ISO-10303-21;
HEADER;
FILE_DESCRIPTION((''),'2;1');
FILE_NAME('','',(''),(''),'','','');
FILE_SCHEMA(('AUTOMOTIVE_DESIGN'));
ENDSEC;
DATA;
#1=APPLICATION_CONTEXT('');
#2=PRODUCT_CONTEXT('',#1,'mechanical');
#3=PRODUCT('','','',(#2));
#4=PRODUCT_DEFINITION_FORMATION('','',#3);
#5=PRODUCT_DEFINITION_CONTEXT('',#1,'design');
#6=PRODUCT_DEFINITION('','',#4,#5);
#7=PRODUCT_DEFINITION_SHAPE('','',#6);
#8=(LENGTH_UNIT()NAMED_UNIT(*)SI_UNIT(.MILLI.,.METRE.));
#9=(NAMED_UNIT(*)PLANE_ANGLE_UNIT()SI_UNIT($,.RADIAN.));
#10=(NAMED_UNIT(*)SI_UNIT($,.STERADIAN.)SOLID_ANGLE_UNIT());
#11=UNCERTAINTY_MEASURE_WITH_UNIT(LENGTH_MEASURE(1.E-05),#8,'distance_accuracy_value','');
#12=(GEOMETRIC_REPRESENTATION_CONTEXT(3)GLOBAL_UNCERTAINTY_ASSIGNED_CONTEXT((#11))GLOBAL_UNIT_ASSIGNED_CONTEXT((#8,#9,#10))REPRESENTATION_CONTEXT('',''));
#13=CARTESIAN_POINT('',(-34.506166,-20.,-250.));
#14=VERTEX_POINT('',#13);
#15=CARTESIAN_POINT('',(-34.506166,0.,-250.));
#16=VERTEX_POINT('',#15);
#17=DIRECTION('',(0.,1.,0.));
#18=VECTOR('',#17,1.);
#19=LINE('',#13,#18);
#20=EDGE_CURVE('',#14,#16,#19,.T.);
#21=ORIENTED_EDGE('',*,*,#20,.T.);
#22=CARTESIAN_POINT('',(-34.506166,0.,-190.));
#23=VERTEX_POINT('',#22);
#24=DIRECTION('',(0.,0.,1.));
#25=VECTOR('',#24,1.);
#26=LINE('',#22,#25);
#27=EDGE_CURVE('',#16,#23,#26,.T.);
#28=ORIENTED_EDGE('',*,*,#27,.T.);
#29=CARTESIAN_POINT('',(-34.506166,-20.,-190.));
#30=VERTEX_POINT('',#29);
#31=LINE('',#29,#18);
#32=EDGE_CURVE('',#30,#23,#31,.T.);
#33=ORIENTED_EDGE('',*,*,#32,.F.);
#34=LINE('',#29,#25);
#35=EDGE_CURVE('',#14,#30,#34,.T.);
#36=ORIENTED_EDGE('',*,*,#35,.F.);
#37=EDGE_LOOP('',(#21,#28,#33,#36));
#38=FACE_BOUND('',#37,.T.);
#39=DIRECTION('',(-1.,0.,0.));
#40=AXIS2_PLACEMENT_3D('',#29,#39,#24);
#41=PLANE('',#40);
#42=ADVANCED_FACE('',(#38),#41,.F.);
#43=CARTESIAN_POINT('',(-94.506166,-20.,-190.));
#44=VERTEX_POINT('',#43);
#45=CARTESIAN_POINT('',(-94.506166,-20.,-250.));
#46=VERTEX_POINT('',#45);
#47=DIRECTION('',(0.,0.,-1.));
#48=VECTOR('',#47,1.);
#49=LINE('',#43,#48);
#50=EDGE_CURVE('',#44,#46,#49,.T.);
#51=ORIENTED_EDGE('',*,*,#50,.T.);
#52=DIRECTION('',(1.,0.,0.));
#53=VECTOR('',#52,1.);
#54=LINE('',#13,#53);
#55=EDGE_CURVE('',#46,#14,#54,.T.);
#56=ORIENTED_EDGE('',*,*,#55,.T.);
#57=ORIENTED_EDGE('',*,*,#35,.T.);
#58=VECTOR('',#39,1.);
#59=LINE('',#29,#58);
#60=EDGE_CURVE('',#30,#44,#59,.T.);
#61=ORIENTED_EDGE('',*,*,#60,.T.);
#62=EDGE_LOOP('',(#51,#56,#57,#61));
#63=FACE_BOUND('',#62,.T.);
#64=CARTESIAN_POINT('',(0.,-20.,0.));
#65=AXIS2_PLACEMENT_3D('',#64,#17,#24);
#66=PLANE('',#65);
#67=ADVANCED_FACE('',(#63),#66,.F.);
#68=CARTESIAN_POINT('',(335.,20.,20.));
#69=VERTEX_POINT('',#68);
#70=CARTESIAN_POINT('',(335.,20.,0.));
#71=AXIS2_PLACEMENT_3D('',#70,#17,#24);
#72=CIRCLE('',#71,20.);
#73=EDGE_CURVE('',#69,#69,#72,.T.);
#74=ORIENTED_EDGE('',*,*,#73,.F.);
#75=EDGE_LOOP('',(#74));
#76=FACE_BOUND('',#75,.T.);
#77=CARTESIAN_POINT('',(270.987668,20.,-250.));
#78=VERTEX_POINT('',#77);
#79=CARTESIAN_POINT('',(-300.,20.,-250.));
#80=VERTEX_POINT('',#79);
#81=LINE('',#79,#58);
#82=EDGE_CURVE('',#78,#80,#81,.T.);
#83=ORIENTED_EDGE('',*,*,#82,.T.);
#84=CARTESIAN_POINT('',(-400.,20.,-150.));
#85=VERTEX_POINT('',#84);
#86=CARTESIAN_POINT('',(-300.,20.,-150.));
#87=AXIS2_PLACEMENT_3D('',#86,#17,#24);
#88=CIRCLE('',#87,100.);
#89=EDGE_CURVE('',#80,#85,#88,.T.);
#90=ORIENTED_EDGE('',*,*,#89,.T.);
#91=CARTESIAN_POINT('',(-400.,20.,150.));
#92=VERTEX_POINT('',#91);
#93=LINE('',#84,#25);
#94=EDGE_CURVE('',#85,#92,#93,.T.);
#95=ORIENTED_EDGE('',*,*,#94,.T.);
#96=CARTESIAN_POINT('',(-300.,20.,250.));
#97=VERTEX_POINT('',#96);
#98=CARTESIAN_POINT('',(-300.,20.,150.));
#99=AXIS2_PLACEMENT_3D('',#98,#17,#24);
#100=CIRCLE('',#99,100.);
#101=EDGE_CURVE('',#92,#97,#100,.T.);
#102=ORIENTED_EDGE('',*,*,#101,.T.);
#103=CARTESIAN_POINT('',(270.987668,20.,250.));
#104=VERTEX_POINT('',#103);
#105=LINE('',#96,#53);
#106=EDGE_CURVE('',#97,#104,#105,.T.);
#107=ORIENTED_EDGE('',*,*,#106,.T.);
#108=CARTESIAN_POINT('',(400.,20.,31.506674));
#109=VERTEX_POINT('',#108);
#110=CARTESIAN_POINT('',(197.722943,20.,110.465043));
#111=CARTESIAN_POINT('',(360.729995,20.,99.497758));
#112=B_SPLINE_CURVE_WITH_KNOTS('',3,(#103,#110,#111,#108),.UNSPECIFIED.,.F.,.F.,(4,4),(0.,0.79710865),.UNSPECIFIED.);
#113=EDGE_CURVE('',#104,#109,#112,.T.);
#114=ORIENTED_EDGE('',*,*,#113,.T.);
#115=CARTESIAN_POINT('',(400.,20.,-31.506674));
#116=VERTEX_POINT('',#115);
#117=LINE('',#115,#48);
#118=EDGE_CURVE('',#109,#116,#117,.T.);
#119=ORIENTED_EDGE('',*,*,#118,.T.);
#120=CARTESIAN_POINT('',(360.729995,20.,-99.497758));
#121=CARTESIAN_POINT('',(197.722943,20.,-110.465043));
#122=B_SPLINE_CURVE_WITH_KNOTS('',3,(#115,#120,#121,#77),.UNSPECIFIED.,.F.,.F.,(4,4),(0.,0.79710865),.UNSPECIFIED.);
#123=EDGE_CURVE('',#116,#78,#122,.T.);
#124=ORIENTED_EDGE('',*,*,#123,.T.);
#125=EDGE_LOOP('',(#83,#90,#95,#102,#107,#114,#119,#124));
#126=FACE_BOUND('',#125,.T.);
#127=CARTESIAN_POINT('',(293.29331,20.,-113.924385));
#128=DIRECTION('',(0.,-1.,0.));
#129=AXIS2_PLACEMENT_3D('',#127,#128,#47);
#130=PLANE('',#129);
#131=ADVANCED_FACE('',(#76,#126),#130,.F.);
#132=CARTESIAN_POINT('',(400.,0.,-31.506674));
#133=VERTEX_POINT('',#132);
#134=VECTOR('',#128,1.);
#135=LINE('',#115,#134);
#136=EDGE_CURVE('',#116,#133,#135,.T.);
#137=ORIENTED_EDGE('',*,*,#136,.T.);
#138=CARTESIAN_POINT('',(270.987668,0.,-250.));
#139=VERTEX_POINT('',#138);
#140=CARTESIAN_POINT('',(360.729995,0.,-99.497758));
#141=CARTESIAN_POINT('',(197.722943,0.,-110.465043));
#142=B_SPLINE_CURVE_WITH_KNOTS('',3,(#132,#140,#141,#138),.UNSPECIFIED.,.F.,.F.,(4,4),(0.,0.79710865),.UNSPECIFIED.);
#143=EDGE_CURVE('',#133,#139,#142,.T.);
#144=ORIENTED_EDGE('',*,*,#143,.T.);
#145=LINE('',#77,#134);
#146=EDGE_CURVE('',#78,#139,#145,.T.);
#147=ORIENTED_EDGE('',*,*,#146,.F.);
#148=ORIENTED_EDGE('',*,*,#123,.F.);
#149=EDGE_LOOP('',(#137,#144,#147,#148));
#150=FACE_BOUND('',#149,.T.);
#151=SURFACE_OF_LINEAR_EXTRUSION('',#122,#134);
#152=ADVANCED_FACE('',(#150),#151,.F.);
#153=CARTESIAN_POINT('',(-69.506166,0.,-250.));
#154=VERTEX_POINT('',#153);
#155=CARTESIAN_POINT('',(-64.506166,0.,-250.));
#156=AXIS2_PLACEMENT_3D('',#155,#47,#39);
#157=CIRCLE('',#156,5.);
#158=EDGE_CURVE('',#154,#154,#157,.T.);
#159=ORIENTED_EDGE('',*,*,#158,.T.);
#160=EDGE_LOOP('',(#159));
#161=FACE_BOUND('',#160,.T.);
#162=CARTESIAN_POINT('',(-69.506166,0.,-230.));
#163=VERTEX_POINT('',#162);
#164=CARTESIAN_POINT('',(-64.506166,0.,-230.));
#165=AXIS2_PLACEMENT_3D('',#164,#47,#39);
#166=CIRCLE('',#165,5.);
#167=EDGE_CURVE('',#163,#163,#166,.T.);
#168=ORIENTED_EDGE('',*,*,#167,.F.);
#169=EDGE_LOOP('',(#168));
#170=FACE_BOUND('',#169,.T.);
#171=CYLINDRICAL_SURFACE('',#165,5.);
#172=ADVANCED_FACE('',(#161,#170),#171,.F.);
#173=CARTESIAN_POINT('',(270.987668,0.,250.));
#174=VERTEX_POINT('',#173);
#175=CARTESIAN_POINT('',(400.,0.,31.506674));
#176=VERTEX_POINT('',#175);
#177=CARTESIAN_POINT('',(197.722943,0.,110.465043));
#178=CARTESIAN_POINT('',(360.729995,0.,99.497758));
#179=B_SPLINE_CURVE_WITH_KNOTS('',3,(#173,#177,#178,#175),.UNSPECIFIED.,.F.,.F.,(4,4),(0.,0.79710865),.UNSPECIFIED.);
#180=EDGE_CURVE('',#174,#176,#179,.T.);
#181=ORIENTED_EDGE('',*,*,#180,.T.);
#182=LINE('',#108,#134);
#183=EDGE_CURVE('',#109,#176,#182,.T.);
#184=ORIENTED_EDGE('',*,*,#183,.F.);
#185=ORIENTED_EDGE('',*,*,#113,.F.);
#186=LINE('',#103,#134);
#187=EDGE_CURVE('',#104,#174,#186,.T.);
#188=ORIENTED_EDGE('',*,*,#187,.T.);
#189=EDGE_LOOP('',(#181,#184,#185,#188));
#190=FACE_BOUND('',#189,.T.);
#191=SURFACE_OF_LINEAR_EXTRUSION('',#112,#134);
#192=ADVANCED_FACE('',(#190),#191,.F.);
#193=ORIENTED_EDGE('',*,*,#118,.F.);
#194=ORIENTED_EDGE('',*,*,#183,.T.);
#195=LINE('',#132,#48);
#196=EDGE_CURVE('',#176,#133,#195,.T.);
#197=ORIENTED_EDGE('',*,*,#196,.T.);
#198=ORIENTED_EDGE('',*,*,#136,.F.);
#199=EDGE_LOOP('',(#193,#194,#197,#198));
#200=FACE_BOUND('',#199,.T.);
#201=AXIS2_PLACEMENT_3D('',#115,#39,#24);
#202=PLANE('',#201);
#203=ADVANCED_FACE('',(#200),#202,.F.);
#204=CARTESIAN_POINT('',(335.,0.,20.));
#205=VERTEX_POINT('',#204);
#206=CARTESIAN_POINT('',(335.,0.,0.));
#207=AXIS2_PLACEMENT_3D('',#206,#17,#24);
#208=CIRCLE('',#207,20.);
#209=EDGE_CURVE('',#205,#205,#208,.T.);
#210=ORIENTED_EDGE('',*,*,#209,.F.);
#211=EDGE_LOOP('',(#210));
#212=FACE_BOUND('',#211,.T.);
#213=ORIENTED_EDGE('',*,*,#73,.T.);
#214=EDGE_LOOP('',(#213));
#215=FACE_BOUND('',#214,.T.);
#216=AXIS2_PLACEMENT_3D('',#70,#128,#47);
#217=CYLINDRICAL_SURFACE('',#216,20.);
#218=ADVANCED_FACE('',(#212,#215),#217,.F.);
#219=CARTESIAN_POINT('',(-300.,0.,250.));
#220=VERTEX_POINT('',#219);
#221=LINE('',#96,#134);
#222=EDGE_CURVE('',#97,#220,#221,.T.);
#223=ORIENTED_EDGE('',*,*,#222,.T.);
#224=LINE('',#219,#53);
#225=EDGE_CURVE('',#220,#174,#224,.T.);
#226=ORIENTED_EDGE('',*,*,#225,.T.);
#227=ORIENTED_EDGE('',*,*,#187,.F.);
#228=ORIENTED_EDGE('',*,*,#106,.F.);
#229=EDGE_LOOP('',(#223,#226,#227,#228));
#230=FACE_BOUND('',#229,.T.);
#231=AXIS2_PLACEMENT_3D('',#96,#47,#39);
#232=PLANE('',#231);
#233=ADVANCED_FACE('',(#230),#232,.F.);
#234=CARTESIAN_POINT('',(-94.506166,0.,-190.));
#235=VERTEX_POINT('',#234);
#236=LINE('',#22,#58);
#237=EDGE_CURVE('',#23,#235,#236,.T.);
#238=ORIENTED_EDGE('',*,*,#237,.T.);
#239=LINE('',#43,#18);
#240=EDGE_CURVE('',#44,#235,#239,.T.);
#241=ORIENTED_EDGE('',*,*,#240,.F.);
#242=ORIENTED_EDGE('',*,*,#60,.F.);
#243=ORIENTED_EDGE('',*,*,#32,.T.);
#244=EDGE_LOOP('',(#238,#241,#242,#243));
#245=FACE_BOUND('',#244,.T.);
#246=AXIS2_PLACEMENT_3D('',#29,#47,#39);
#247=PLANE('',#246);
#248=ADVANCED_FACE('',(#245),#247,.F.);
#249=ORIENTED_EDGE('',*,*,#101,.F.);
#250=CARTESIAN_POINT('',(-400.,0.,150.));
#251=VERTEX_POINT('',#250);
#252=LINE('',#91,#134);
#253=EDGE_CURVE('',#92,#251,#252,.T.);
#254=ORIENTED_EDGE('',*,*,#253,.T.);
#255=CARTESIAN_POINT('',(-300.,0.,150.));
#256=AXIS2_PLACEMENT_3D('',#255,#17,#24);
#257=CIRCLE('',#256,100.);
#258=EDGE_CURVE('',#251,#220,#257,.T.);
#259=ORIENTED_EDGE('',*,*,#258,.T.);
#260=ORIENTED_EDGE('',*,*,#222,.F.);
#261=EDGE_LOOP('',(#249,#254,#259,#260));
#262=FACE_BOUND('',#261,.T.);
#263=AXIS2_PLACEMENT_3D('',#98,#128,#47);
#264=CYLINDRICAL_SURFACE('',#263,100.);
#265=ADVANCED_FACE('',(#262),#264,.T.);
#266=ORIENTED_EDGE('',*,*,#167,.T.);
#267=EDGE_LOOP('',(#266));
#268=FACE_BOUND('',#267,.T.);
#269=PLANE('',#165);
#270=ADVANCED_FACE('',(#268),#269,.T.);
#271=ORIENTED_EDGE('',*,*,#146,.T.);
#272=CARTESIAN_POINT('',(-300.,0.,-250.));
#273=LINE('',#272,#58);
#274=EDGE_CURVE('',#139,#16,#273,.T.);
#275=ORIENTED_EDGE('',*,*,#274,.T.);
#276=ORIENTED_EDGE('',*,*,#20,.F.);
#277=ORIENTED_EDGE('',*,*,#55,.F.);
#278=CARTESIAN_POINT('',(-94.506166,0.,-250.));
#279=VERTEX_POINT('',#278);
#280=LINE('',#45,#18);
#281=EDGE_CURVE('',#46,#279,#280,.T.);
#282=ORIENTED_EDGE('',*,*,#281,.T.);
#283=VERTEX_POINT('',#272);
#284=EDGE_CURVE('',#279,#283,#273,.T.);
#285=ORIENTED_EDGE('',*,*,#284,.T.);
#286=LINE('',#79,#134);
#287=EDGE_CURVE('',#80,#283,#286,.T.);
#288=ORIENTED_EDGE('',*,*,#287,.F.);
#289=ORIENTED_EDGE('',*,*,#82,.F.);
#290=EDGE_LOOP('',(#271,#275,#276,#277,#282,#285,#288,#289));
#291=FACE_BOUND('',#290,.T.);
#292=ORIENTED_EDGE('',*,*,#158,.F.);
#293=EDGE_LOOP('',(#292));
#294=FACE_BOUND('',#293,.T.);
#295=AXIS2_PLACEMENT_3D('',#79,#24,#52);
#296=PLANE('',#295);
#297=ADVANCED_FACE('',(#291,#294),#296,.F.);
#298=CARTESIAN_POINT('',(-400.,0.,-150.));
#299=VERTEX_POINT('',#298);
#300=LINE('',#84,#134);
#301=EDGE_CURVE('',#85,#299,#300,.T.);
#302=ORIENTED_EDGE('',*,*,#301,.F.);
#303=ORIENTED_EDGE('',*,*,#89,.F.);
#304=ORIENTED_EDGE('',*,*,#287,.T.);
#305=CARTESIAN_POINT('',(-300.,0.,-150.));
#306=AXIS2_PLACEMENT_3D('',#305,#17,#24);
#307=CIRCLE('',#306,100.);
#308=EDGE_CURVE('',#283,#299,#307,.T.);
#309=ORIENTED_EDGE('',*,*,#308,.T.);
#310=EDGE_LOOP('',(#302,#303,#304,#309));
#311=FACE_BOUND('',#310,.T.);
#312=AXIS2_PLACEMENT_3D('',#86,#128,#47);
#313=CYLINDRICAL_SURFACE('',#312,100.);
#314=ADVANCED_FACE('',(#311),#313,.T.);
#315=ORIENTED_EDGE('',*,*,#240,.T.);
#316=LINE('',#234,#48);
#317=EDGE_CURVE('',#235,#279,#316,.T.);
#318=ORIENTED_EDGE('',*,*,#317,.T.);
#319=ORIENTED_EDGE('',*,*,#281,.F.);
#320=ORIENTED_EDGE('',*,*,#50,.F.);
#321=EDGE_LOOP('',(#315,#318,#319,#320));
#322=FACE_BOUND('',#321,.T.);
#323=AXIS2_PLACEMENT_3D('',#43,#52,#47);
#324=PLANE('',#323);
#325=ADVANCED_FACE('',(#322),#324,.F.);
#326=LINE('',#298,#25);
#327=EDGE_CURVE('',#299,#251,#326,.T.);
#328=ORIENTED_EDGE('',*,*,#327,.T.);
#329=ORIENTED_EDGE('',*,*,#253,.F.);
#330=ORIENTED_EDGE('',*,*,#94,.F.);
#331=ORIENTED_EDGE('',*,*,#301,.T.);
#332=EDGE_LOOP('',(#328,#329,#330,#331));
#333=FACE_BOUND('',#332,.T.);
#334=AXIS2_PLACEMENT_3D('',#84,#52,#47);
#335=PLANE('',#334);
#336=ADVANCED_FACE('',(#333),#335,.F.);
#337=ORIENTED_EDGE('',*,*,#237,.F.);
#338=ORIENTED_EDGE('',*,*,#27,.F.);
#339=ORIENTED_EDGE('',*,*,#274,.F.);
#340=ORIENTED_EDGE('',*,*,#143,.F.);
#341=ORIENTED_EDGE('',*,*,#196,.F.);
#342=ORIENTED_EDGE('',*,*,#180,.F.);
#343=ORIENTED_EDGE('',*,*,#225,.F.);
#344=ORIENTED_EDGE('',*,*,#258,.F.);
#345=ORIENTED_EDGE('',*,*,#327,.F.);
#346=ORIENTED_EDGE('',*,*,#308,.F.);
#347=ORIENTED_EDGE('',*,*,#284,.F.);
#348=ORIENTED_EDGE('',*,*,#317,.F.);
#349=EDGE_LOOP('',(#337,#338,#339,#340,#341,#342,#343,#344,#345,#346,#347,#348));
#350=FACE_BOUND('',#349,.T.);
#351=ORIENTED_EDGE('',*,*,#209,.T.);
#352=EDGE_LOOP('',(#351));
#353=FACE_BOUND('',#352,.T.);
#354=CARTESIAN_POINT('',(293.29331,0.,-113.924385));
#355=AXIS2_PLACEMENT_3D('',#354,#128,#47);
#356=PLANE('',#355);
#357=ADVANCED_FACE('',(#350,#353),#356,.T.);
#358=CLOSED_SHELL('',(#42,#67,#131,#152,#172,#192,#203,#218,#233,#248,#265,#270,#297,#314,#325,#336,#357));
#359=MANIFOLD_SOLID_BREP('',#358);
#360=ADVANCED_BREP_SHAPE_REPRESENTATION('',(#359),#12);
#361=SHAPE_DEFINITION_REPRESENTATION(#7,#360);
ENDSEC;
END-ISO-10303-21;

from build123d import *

# Parameters (mm, degrees)
SKETCH1_R           = 20
BOSS_EXTRUDE1_DEPTH = 20
SKETCH2_W           = 60
SKETCH2_H           = 60
BOSS_EXTRUDE2_DEPTH = 20
SKETCH3_R           = 5
CUT_EXTRUDE1_DEPTH  = 20


with BuildPart() as part:
    # Sketch1 → Boss-Extrude1 (new body)
    with BuildSketch(Plane(origin=(0, 0, 0), x_dir=(1, 0, 0), z_dir=(0, 1, 0))):
        with BuildLine():
            Line((-300, 250), (270.987668093, 250))
            add(Edge.make_bspline(
                [(270.987668093, 250), (197.722942543, 110.46504325), (360.729994598, 99.497758331), (400, 31.506674192)],
                knots=[0, 0, 0, 0, 0.79710865, 0.79710865, 0.79710865, 0.79710865], degree=3))
            Line((400, 31.506674192), (400, -31.506674192))
            add(Edge.make_bspline(
                [(270.987668093, -250), (197.722942543, -110.46504325), (360.729994598, -99.497758331), (400, -31.506674192)],
                knots=[0, 0, 0, 0, 0.79710865, 0.79710865, 0.79710865, 0.79710865], degree=3))
            Line((270.987668093, -250), (-300, -250))
            ThreePointArc((-300, -250), (-370.710678119, -220.710678119), (-400, -150))
            Line((-400, -150), (-400, 150))
            ThreePointArc((-400, 150), (-370.710678119, 220.710678119), (-300, 250))
        make_face()
        with Locations(Location((335, 0, 0), (0, 0, 270))):
            Circle(SKETCH1_R, mode=Mode.SUBTRACT)
    extrude(amount=BOSS_EXTRUDE1_DEPTH)

    # Sketch2 → Boss-Extrude2 (add)
    with BuildSketch(Plane.XZ):
        with Locations((-64.506165954, -220)):
            Rectangle(SKETCH2_W, SKETCH2_H)
    extrude(amount=BOSS_EXTRUDE2_DEPTH)

    # Sketch3 → Cut-Extrude1 (cut)
    with BuildSketch(Plane(origin=(0, 0, -250), x_dir=(-1, 0, 0), z_dir=(0, 0, -1))):
        with Locations((64.506165954, 0)):
            Circle(SKETCH3_R)
    extrude(amount=-CUT_EXTRUDE1_DEPTH, mode=Mode.SUBTRACT)


solid = part.part
